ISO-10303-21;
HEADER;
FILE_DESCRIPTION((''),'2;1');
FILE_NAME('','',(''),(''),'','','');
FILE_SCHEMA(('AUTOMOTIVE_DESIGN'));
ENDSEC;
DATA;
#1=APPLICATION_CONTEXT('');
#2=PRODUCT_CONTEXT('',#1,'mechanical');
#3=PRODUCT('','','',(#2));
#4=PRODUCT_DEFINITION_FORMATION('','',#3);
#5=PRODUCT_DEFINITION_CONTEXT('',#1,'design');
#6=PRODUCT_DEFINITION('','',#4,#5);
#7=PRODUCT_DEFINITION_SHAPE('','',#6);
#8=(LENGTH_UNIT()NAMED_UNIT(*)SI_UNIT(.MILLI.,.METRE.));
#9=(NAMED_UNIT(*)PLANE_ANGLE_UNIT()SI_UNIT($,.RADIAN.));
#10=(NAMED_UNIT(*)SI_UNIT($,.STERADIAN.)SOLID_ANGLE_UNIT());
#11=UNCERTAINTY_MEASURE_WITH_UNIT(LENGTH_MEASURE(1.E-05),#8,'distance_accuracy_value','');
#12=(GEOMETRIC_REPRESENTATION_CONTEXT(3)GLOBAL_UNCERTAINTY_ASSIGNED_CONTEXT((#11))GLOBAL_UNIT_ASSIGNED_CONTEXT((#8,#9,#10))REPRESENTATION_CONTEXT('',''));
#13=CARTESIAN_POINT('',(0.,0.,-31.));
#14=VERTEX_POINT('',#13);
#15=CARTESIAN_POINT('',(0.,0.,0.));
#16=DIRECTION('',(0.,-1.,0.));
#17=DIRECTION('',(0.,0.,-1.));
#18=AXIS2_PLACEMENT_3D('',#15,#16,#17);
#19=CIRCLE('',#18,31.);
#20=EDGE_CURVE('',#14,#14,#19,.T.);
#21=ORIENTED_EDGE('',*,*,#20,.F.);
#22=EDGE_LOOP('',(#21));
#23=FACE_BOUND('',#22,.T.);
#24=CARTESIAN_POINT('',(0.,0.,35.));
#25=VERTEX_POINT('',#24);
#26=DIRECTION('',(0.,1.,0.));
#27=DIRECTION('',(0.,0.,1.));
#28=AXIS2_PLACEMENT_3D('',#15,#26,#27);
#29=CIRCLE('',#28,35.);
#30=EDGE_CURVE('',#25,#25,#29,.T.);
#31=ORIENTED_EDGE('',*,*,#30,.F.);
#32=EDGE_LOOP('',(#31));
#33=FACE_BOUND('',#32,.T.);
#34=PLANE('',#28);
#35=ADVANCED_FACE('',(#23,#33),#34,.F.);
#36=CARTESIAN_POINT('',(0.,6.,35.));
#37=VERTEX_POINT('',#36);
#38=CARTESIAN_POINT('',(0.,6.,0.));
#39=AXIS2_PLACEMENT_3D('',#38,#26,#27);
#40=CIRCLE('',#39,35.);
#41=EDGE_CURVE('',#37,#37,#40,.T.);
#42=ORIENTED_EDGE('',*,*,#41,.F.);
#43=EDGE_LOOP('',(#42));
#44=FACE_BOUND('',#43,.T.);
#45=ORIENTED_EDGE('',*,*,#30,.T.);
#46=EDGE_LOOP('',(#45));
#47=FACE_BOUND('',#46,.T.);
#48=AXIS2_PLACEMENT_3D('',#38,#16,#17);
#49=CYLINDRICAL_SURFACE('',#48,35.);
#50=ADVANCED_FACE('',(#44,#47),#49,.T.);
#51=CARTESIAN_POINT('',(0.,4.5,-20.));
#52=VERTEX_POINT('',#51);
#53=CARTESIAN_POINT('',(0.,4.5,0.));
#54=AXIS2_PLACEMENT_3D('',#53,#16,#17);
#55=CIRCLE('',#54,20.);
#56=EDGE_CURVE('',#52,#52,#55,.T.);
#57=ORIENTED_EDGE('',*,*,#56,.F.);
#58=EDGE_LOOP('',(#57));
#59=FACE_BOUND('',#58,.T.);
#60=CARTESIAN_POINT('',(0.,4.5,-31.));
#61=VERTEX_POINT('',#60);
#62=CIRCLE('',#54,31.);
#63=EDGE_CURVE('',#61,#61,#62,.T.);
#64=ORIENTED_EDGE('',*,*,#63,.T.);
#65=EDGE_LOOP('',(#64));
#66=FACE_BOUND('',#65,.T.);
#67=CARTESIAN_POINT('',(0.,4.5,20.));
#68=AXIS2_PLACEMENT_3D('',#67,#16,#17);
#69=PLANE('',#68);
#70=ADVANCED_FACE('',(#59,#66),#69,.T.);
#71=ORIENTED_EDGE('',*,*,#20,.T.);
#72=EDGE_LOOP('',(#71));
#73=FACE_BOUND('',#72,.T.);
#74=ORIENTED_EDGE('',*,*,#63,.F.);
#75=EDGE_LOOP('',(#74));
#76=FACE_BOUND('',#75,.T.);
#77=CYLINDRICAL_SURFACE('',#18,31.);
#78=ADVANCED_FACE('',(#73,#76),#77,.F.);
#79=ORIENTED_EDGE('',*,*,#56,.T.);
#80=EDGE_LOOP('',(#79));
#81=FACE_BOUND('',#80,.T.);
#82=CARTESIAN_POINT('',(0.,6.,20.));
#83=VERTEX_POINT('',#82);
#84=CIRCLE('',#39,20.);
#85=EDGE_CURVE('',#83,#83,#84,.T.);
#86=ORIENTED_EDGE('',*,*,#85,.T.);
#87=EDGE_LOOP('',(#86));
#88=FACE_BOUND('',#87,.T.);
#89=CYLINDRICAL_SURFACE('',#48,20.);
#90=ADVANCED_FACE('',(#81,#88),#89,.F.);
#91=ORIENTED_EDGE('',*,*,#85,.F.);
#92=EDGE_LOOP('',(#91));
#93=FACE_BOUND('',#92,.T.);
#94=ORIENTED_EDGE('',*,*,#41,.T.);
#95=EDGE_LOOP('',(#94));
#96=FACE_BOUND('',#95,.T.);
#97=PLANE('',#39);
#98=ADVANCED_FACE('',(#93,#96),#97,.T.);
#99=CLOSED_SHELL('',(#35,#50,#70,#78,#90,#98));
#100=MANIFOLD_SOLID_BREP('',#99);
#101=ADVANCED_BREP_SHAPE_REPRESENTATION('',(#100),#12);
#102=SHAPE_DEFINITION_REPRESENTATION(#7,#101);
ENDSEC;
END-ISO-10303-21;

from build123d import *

# Parameters (mm, degrees)
SKETCH1_R           = 35
SKETCH1_R_2         = 20
BOSS_EXTRUDE1_DEPTH = 6
SKETCH2_W           = 11
SKETCH2_H           = 4.5


with BuildPart() as part:
    # Sketch1 → Boss-Extrude1 (new body)
    with BuildSketch(Plane(origin=(0, 0, 0), x_dir=(1, 0, 0), z_dir=(0, 1, 0))):
        with Locations(Location((0, 0, 0), (0, 0, 270))):
            Circle(SKETCH1_R)
        with Locations(Location((0, 0, 0), (0, 0, 270))):
            Circle(SKETCH1_R_2, mode=Mode.SUBTRACT)
    extrude(amount=BOSS_EXTRUDE1_DEPTH)

    # Sketch2 → Cut-Revolve1 (revolve, cut)
    with BuildSketch(Plane(origin=(0, 0, 0), x_dir=(0, 0, -1), z_dir=(1, 0, 0)), mode=Mode.PRIVATE) as cut_revolve1_sk:
        with Locations((-25.5, 2.25)):
            Rectangle(SKETCH2_W, SKETCH2_H)
    revolve(cut_revolve1_sk.sketch.rotate(Axis((0, 0, 0), (0, 1, 0)), 180), axis=Axis((0, 0, 0), (0, 1, 0)), mode=Mode.SUBTRACT)


solid = part.part
